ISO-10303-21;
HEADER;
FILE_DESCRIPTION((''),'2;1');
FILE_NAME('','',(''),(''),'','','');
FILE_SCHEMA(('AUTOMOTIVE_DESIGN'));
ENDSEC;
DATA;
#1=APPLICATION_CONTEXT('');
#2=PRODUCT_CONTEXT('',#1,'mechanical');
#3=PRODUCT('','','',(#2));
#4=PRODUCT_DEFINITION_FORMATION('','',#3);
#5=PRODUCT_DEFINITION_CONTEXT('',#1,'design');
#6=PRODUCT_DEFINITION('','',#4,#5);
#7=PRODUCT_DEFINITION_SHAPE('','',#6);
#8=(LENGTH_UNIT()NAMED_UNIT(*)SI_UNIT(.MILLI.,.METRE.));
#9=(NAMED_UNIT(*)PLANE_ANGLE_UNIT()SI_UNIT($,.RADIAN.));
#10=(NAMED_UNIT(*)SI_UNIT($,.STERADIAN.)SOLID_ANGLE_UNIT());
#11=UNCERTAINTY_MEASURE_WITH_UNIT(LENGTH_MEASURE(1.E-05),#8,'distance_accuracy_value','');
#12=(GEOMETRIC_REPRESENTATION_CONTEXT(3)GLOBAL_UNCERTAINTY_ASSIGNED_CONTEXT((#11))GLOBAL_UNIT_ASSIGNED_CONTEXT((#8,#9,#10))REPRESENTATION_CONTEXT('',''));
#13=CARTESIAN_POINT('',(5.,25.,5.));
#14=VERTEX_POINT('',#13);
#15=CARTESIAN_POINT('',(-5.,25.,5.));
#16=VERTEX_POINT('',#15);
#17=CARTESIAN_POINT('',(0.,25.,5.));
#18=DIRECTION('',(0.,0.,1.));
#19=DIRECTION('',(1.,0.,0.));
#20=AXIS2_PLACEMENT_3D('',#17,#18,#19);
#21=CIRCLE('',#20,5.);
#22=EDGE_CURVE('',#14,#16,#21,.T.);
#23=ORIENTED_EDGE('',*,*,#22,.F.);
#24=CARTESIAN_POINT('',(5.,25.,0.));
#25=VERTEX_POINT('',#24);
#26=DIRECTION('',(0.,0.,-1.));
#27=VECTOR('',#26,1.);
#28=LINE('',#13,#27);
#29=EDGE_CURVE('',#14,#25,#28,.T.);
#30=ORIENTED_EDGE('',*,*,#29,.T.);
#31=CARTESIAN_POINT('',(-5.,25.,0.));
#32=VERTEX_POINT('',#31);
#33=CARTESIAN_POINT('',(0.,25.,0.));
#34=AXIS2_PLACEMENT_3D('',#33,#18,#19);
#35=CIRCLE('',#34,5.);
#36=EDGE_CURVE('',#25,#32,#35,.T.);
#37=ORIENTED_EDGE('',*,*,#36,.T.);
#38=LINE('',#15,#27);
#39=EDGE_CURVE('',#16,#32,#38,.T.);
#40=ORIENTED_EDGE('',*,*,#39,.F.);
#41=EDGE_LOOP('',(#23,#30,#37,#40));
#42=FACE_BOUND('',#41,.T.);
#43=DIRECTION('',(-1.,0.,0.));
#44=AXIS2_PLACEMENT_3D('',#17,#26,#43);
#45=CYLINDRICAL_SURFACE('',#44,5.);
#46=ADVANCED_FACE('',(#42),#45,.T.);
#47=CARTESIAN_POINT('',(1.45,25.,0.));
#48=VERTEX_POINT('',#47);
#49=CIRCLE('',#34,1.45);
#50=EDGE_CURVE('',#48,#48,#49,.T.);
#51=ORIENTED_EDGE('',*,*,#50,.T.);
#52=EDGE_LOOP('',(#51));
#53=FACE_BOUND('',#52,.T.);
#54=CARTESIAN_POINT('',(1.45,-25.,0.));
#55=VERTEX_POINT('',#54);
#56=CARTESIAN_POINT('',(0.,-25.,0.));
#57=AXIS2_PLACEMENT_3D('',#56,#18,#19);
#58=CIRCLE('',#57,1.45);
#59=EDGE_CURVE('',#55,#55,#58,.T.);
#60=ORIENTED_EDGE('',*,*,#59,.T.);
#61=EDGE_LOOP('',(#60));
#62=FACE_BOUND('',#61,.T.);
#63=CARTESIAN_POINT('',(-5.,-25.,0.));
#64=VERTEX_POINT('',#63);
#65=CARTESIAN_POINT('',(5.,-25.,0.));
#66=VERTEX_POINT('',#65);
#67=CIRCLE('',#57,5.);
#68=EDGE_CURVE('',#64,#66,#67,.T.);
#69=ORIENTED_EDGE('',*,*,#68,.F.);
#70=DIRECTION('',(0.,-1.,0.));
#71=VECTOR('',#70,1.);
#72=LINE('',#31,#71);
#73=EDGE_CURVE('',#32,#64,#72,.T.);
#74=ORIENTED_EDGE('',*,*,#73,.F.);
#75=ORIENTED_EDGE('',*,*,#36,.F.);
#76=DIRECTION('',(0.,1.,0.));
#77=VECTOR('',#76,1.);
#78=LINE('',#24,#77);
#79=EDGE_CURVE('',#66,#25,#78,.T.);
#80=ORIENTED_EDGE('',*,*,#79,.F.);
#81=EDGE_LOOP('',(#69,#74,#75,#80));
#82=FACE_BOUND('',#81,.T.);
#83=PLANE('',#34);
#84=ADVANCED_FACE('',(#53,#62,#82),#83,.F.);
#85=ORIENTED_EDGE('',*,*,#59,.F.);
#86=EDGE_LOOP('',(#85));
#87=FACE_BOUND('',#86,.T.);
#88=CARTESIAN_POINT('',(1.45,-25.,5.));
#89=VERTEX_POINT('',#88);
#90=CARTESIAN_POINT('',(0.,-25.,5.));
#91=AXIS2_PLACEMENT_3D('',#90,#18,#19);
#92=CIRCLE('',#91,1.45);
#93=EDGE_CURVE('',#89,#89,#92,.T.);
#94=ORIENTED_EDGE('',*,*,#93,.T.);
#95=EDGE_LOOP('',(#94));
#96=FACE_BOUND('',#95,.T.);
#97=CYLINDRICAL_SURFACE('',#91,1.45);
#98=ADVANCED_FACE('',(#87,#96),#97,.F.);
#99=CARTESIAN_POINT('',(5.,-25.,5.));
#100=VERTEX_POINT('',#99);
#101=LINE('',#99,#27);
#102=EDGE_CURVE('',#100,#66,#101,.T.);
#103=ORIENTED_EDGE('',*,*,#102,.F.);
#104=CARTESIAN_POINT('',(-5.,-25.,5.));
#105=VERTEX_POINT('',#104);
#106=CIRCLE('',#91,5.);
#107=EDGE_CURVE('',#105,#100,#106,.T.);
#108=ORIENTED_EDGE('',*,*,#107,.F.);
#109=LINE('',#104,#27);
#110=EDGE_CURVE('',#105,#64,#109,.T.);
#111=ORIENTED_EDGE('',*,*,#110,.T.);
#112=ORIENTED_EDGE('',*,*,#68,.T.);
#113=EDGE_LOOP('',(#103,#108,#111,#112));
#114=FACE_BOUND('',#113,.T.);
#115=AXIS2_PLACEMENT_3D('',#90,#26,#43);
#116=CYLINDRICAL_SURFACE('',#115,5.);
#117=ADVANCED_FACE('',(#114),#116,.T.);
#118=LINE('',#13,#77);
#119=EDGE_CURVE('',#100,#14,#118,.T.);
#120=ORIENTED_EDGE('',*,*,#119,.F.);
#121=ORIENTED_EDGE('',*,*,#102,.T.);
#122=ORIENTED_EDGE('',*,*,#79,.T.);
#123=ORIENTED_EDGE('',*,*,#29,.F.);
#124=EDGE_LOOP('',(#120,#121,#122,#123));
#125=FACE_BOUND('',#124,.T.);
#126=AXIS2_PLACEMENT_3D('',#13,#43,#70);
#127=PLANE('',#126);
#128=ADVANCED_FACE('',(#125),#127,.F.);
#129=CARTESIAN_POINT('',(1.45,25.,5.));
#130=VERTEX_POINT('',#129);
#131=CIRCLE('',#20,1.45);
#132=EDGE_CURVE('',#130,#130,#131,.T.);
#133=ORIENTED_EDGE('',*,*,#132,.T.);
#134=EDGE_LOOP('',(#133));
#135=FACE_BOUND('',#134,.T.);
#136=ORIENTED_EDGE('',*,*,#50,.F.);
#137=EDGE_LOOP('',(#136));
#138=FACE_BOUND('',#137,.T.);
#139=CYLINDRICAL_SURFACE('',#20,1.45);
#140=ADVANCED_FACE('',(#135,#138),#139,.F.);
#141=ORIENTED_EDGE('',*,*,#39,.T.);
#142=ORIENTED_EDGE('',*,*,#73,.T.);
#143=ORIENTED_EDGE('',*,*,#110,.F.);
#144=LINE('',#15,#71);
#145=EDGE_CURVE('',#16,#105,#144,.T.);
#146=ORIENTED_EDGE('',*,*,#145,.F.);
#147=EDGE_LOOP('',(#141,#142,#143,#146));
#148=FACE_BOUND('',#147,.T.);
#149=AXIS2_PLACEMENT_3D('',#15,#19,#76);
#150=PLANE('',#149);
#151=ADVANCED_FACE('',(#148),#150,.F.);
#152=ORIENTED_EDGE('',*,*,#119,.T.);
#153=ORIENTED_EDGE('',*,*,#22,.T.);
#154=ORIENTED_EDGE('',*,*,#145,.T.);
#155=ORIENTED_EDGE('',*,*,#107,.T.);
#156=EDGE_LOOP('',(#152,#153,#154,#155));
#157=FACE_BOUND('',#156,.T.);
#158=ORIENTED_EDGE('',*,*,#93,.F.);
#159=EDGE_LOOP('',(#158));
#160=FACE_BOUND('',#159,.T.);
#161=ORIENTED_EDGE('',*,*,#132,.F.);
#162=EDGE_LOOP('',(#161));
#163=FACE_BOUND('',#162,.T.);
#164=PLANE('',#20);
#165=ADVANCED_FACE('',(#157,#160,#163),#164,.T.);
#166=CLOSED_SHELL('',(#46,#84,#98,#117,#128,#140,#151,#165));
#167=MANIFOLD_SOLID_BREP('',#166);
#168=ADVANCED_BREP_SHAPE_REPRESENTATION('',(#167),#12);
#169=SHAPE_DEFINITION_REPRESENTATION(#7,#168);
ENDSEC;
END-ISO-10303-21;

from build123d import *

# Parameters (mm, degrees)
BOSS_EXTRUDE1_DEPTH    = 5
M2_5_CLEARANCE_HOLE1_D = 2.9


with BuildPart() as part:
    # Sketch1 → Boss-Extrude1 (new body)
    with BuildSketch(Plane.XY):
        with BuildLine():
            Line((5, 25), (5, -25))
            ThreePointArc((5, -25), (0, -30), (-5, -25))
            Line((-5, -25), (-5, 25))
            ThreePointArc((-5, 25), (0, 30), (5, 25))
        make_face()
    extrude(amount=BOSS_EXTRUDE1_DEPTH)

    # M2.5 Clearance Hole1 (through all)
    with Locations(Plane.XY.offset(5)):
        with Locations((0, 25), (0, -25)):
            Hole(M2_5_CLEARANCE_HOLE1_D / 2)


solid = part.part
